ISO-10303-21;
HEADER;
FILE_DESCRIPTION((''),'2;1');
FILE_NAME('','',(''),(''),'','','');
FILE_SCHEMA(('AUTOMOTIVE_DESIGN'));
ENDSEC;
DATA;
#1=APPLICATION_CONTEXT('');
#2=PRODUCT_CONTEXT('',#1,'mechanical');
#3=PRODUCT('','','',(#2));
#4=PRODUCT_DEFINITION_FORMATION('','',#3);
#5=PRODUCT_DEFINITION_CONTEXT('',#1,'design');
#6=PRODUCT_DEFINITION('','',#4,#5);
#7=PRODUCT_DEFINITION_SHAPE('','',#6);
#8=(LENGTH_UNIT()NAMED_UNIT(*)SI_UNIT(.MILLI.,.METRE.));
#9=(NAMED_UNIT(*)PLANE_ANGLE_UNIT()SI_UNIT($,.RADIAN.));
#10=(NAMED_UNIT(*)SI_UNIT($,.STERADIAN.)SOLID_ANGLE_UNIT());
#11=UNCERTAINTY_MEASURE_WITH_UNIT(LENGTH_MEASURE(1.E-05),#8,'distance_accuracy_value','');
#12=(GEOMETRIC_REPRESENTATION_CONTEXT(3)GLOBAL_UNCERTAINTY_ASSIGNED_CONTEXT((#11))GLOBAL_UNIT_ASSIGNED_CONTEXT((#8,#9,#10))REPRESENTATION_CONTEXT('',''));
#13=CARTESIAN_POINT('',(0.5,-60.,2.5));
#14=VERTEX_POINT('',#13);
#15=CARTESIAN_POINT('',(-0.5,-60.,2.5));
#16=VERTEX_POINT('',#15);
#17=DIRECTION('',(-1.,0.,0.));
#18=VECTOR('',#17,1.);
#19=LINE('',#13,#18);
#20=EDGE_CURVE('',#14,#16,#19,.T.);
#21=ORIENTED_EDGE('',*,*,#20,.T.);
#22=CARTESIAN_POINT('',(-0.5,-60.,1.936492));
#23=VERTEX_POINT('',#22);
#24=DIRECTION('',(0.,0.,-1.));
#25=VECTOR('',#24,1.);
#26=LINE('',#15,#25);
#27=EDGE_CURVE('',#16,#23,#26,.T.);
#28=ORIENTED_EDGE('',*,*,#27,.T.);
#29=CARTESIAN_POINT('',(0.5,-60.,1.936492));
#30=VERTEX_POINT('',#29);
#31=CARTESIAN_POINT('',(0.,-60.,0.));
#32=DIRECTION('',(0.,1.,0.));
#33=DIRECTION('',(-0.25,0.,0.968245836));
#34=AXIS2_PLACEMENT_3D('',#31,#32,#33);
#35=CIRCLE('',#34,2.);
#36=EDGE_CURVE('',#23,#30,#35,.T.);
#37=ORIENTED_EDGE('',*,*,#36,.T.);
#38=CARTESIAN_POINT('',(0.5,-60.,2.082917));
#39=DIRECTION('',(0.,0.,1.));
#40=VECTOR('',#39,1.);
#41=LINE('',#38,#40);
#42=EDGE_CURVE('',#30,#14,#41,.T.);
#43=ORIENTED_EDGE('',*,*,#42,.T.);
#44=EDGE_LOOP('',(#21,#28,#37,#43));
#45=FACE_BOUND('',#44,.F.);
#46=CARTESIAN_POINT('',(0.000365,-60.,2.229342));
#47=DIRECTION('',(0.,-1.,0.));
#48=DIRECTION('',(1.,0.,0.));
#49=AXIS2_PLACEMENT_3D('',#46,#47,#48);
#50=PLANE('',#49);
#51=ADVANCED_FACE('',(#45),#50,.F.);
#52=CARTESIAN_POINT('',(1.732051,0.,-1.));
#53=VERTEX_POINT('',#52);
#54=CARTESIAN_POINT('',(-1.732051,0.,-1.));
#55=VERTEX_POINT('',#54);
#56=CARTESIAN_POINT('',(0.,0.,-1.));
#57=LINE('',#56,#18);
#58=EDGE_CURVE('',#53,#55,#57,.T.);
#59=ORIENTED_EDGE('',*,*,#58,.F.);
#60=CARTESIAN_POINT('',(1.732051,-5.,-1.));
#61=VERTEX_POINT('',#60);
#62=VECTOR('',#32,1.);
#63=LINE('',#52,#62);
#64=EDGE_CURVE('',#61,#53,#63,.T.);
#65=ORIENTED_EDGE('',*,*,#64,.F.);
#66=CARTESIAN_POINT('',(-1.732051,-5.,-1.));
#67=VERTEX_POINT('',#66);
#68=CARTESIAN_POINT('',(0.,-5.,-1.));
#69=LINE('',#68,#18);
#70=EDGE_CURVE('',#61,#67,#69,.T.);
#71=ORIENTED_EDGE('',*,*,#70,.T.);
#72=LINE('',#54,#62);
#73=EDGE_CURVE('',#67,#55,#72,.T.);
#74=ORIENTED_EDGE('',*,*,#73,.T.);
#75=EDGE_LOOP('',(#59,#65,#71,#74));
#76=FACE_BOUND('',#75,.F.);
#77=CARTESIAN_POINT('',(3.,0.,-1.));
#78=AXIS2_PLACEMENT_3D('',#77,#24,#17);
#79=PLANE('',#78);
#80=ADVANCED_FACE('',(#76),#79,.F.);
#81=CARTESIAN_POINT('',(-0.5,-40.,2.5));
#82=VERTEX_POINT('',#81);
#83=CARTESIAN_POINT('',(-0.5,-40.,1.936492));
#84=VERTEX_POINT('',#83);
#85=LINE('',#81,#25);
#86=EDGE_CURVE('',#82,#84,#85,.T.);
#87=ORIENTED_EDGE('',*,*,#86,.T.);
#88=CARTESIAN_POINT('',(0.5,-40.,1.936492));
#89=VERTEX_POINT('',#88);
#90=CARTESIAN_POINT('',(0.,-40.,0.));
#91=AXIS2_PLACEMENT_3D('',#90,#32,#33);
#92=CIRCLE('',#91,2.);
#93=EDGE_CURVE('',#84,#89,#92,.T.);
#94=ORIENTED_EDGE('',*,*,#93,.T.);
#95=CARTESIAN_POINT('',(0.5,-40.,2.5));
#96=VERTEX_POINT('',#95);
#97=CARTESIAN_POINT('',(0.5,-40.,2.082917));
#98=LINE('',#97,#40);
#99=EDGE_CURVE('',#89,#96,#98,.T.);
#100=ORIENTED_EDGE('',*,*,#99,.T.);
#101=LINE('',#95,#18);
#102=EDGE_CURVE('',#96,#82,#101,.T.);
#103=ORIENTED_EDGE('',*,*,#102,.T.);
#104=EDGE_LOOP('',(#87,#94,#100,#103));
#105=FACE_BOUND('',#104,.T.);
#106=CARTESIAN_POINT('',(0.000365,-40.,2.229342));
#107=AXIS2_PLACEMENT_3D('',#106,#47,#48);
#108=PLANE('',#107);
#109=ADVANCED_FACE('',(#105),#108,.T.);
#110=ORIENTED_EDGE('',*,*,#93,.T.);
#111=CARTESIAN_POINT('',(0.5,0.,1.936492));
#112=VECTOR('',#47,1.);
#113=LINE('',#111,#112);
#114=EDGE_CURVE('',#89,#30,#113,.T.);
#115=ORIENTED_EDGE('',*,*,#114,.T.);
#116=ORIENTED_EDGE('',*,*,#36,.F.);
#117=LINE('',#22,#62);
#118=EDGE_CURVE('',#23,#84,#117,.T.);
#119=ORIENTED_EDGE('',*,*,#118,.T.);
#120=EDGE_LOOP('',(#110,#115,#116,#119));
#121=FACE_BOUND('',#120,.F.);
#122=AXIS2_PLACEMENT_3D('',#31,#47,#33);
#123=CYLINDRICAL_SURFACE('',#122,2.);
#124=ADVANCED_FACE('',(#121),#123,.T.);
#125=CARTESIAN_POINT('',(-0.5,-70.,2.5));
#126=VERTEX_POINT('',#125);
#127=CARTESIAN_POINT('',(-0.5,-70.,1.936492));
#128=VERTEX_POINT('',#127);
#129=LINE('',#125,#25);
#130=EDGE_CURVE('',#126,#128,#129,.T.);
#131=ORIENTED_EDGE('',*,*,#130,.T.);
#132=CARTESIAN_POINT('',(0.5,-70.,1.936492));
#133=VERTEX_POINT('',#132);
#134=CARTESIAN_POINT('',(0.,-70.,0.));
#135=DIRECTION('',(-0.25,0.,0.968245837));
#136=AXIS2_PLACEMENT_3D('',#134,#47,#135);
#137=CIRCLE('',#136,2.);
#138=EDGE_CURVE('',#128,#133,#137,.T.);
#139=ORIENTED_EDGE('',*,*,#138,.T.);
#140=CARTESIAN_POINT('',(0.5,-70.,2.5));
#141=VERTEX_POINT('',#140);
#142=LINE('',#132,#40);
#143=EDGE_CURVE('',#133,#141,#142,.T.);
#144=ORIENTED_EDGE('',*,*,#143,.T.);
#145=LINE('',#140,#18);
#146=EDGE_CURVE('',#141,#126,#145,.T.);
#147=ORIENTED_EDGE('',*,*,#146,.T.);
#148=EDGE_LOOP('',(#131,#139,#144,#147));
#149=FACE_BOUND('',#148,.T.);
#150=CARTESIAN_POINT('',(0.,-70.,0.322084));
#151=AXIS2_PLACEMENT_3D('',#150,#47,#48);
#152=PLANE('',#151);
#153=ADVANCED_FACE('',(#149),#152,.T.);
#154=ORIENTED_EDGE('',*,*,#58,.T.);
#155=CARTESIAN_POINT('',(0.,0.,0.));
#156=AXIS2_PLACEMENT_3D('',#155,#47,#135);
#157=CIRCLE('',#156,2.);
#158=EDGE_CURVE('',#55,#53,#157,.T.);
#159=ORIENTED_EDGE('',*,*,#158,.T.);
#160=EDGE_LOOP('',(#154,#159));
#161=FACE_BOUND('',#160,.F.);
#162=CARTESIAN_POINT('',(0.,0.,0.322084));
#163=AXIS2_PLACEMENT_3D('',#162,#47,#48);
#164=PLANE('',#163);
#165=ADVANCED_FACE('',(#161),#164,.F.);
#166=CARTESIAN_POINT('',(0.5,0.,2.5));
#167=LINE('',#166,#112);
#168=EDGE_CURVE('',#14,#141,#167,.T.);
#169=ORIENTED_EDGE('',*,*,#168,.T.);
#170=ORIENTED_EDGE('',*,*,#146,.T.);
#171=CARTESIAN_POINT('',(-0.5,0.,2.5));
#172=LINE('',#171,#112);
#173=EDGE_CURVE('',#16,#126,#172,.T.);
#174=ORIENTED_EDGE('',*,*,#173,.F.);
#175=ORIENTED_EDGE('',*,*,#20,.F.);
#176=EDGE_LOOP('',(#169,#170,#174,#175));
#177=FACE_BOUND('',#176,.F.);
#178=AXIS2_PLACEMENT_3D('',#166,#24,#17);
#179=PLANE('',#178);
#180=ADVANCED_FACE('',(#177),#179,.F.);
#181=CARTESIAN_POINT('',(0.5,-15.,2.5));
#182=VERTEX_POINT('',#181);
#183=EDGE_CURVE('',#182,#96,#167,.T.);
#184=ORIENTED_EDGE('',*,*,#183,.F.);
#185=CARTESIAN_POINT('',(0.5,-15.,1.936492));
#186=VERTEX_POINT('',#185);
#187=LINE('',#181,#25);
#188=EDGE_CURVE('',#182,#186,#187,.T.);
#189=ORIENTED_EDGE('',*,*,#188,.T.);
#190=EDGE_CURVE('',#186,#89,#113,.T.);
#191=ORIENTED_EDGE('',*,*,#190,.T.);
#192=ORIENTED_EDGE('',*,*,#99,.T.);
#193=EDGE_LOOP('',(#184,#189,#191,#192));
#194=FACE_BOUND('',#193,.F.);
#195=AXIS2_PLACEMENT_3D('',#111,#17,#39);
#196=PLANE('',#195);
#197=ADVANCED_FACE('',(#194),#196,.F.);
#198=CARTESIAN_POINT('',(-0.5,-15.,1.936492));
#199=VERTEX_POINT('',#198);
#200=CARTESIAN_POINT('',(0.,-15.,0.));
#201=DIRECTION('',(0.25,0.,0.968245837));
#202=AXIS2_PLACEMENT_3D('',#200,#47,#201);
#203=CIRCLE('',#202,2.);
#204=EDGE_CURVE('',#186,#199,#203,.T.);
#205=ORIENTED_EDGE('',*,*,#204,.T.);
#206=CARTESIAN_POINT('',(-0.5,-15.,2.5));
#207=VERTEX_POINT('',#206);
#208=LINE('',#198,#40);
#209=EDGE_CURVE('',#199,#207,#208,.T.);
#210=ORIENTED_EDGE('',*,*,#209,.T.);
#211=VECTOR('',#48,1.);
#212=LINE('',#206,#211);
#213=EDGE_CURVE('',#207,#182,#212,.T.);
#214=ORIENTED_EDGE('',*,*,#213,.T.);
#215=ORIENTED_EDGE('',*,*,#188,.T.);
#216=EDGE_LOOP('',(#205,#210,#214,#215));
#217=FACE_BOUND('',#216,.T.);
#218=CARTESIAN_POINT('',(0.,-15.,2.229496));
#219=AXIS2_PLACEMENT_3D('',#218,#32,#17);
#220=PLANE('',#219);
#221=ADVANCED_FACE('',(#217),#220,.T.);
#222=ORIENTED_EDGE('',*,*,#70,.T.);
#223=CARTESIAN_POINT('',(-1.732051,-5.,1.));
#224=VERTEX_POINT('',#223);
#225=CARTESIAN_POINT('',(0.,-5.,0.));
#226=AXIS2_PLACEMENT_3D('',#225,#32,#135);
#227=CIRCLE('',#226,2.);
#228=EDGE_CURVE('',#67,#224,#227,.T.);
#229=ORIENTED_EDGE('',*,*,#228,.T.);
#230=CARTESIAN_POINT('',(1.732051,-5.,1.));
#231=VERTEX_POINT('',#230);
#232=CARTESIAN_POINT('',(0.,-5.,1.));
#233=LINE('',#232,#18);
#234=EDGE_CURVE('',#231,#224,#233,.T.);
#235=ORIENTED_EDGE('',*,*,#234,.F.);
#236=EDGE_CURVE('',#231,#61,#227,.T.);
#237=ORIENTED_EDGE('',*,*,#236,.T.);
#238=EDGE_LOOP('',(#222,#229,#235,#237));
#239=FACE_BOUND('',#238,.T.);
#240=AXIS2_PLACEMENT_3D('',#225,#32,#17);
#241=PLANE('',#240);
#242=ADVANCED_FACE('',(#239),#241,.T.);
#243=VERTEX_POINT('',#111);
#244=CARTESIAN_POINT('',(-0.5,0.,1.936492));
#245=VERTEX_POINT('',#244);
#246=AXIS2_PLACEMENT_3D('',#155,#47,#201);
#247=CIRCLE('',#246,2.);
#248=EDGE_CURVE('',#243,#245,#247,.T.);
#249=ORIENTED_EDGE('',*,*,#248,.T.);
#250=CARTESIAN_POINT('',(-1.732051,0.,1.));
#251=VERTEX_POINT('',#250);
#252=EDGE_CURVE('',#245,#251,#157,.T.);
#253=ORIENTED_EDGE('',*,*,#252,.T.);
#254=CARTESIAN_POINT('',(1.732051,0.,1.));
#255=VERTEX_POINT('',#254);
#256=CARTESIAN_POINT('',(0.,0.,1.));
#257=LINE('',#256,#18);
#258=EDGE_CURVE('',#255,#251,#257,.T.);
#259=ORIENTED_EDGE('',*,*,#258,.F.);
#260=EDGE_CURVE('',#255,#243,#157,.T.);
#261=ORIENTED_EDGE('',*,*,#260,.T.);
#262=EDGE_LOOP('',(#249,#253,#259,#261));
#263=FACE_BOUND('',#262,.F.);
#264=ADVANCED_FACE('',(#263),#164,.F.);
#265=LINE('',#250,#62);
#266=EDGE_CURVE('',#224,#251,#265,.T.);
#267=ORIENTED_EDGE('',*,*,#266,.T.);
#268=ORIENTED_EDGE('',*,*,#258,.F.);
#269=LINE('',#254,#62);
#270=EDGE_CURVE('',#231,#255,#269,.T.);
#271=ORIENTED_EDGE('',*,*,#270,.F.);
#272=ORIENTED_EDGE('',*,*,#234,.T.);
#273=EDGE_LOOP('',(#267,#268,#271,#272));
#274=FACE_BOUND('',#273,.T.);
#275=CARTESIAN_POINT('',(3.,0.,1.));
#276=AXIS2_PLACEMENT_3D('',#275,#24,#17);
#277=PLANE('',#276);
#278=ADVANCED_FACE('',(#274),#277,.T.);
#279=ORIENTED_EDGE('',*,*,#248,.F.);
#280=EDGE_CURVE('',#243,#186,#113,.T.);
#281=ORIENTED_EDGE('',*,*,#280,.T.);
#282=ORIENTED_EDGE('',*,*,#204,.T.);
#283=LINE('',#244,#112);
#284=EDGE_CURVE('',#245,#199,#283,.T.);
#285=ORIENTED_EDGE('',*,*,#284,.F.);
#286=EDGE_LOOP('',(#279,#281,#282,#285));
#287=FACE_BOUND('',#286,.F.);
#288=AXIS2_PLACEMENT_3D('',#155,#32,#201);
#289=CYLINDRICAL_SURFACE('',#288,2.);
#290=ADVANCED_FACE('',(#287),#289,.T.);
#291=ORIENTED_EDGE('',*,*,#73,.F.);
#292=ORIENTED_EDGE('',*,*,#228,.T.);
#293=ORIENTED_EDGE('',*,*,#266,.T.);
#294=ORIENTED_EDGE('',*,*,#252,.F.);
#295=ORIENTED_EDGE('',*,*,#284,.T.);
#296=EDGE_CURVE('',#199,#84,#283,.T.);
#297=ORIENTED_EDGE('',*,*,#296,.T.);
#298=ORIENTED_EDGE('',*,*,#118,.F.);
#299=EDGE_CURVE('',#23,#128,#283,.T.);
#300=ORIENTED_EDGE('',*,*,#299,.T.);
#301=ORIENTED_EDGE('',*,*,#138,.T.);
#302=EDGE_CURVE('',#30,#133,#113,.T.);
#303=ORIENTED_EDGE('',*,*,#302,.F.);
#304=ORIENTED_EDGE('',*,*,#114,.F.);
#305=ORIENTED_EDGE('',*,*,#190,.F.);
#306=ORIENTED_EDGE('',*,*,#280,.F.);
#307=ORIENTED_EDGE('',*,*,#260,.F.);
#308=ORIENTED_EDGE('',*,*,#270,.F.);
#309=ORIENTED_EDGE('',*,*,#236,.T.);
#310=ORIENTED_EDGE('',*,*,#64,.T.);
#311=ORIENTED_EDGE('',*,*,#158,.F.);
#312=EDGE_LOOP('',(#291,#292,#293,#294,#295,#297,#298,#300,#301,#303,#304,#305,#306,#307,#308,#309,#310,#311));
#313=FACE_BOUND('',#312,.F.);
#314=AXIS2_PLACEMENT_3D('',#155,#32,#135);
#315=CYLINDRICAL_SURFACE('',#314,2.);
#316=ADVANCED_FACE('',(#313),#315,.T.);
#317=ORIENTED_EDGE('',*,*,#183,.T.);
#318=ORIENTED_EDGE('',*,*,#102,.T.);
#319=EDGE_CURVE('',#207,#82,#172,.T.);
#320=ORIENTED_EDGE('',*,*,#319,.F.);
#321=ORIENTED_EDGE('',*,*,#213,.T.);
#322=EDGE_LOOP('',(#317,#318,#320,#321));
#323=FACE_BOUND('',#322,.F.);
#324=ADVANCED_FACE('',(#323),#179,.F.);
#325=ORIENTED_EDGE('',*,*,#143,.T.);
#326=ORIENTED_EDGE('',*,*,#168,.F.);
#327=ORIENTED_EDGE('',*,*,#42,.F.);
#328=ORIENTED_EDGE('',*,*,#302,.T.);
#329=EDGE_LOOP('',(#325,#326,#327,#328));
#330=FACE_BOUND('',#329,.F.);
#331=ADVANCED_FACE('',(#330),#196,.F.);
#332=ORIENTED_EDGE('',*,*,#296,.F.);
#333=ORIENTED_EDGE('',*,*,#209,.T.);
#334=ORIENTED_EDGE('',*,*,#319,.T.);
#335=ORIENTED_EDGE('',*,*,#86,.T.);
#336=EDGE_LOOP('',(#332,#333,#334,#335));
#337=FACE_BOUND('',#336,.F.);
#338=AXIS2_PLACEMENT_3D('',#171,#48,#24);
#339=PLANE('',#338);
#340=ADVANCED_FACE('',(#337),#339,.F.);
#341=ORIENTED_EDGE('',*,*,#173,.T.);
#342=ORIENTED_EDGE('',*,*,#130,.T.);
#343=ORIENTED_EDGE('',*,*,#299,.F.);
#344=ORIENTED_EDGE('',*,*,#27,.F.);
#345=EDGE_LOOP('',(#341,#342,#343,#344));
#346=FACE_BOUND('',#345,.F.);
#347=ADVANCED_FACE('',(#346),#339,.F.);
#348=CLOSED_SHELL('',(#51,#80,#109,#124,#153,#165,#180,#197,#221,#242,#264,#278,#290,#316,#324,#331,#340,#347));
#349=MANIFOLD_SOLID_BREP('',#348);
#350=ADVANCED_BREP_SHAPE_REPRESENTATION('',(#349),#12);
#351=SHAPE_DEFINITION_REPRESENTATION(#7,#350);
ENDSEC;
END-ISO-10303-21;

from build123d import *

# Parameters (mm, degrees)
F1_DEPTH = 70
F4_DEPTH = 20
F6_DEPTH = 15
F7_W     = 6
F7_H     = 2
F8_DEPTH = 5


with BuildPart() as f1:
    # F0 (on Front) → F1 (new body)
    with BuildSketch(Plane.XZ):
        with BuildLine():
            Line((-0.5, 2.5), (-0.5, 1.9364916731))
            ThreePointArc((-0.5, 1.9364916731), (0, -2), (0.5, 1.9364916731))
            Line((0.5, 1.9364916731), (0.5, 2.5))
            Line((0.5, 2.5), (-0.5, 2.5))
        make_face()
    extrude(amount=F1_DEPTH)

    # F3 (on offset) → F4 (cut)
    with BuildSketch(Plane.XZ.offset(60)):
        with BuildLine():
            ThreePointArc((-0.5, 1.9364916731), (0.0006379585, 1.9999998983), (0.5012352994, 1.9361722998))
            Line((0.5012352994, 1.9361722998), (0.5, 2.5))
            Line((0.5, 2.5), (-0.5, 2.5))
            Line((-0.5, 2.5), (-0.5, 1.9364916731))
        make_face()
    extrude(amount=-F4_DEPTH, mode=Mode.SUBTRACT)

    # F5 (on face) → F6 (cut)
    with BuildSketch(Plane(origin=(0, 0, 0), x_dir=(-1, 0, 0), z_dir=(0, 1, 0))):
        with BuildLine():
            Line((-0.5, 2.5), (-0.5, 1.9364916731))
            ThreePointArc((-0.5, 1.9364916731), (0, 2), (0.5, 1.9364916731))
            Line((0.5, 1.9364916731), (0.5, 2.5))
            Line((0.5, 2.5), (-0.5, 2.5))
        make_face()
    extrude(amount=-F6_DEPTH, mode=Mode.SUBTRACT)

    # F7 (on face) → F8 (cut)
    with BuildSketch(Plane(origin=(0, 0, 0), x_dir=(-1, 0, 0), z_dir=(0, 1, 0))):
        Rectangle(F7_W, F7_H)
    extrude(amount=-F8_DEPTH, mode=Mode.SUBTRACT)


solid = f1.part
